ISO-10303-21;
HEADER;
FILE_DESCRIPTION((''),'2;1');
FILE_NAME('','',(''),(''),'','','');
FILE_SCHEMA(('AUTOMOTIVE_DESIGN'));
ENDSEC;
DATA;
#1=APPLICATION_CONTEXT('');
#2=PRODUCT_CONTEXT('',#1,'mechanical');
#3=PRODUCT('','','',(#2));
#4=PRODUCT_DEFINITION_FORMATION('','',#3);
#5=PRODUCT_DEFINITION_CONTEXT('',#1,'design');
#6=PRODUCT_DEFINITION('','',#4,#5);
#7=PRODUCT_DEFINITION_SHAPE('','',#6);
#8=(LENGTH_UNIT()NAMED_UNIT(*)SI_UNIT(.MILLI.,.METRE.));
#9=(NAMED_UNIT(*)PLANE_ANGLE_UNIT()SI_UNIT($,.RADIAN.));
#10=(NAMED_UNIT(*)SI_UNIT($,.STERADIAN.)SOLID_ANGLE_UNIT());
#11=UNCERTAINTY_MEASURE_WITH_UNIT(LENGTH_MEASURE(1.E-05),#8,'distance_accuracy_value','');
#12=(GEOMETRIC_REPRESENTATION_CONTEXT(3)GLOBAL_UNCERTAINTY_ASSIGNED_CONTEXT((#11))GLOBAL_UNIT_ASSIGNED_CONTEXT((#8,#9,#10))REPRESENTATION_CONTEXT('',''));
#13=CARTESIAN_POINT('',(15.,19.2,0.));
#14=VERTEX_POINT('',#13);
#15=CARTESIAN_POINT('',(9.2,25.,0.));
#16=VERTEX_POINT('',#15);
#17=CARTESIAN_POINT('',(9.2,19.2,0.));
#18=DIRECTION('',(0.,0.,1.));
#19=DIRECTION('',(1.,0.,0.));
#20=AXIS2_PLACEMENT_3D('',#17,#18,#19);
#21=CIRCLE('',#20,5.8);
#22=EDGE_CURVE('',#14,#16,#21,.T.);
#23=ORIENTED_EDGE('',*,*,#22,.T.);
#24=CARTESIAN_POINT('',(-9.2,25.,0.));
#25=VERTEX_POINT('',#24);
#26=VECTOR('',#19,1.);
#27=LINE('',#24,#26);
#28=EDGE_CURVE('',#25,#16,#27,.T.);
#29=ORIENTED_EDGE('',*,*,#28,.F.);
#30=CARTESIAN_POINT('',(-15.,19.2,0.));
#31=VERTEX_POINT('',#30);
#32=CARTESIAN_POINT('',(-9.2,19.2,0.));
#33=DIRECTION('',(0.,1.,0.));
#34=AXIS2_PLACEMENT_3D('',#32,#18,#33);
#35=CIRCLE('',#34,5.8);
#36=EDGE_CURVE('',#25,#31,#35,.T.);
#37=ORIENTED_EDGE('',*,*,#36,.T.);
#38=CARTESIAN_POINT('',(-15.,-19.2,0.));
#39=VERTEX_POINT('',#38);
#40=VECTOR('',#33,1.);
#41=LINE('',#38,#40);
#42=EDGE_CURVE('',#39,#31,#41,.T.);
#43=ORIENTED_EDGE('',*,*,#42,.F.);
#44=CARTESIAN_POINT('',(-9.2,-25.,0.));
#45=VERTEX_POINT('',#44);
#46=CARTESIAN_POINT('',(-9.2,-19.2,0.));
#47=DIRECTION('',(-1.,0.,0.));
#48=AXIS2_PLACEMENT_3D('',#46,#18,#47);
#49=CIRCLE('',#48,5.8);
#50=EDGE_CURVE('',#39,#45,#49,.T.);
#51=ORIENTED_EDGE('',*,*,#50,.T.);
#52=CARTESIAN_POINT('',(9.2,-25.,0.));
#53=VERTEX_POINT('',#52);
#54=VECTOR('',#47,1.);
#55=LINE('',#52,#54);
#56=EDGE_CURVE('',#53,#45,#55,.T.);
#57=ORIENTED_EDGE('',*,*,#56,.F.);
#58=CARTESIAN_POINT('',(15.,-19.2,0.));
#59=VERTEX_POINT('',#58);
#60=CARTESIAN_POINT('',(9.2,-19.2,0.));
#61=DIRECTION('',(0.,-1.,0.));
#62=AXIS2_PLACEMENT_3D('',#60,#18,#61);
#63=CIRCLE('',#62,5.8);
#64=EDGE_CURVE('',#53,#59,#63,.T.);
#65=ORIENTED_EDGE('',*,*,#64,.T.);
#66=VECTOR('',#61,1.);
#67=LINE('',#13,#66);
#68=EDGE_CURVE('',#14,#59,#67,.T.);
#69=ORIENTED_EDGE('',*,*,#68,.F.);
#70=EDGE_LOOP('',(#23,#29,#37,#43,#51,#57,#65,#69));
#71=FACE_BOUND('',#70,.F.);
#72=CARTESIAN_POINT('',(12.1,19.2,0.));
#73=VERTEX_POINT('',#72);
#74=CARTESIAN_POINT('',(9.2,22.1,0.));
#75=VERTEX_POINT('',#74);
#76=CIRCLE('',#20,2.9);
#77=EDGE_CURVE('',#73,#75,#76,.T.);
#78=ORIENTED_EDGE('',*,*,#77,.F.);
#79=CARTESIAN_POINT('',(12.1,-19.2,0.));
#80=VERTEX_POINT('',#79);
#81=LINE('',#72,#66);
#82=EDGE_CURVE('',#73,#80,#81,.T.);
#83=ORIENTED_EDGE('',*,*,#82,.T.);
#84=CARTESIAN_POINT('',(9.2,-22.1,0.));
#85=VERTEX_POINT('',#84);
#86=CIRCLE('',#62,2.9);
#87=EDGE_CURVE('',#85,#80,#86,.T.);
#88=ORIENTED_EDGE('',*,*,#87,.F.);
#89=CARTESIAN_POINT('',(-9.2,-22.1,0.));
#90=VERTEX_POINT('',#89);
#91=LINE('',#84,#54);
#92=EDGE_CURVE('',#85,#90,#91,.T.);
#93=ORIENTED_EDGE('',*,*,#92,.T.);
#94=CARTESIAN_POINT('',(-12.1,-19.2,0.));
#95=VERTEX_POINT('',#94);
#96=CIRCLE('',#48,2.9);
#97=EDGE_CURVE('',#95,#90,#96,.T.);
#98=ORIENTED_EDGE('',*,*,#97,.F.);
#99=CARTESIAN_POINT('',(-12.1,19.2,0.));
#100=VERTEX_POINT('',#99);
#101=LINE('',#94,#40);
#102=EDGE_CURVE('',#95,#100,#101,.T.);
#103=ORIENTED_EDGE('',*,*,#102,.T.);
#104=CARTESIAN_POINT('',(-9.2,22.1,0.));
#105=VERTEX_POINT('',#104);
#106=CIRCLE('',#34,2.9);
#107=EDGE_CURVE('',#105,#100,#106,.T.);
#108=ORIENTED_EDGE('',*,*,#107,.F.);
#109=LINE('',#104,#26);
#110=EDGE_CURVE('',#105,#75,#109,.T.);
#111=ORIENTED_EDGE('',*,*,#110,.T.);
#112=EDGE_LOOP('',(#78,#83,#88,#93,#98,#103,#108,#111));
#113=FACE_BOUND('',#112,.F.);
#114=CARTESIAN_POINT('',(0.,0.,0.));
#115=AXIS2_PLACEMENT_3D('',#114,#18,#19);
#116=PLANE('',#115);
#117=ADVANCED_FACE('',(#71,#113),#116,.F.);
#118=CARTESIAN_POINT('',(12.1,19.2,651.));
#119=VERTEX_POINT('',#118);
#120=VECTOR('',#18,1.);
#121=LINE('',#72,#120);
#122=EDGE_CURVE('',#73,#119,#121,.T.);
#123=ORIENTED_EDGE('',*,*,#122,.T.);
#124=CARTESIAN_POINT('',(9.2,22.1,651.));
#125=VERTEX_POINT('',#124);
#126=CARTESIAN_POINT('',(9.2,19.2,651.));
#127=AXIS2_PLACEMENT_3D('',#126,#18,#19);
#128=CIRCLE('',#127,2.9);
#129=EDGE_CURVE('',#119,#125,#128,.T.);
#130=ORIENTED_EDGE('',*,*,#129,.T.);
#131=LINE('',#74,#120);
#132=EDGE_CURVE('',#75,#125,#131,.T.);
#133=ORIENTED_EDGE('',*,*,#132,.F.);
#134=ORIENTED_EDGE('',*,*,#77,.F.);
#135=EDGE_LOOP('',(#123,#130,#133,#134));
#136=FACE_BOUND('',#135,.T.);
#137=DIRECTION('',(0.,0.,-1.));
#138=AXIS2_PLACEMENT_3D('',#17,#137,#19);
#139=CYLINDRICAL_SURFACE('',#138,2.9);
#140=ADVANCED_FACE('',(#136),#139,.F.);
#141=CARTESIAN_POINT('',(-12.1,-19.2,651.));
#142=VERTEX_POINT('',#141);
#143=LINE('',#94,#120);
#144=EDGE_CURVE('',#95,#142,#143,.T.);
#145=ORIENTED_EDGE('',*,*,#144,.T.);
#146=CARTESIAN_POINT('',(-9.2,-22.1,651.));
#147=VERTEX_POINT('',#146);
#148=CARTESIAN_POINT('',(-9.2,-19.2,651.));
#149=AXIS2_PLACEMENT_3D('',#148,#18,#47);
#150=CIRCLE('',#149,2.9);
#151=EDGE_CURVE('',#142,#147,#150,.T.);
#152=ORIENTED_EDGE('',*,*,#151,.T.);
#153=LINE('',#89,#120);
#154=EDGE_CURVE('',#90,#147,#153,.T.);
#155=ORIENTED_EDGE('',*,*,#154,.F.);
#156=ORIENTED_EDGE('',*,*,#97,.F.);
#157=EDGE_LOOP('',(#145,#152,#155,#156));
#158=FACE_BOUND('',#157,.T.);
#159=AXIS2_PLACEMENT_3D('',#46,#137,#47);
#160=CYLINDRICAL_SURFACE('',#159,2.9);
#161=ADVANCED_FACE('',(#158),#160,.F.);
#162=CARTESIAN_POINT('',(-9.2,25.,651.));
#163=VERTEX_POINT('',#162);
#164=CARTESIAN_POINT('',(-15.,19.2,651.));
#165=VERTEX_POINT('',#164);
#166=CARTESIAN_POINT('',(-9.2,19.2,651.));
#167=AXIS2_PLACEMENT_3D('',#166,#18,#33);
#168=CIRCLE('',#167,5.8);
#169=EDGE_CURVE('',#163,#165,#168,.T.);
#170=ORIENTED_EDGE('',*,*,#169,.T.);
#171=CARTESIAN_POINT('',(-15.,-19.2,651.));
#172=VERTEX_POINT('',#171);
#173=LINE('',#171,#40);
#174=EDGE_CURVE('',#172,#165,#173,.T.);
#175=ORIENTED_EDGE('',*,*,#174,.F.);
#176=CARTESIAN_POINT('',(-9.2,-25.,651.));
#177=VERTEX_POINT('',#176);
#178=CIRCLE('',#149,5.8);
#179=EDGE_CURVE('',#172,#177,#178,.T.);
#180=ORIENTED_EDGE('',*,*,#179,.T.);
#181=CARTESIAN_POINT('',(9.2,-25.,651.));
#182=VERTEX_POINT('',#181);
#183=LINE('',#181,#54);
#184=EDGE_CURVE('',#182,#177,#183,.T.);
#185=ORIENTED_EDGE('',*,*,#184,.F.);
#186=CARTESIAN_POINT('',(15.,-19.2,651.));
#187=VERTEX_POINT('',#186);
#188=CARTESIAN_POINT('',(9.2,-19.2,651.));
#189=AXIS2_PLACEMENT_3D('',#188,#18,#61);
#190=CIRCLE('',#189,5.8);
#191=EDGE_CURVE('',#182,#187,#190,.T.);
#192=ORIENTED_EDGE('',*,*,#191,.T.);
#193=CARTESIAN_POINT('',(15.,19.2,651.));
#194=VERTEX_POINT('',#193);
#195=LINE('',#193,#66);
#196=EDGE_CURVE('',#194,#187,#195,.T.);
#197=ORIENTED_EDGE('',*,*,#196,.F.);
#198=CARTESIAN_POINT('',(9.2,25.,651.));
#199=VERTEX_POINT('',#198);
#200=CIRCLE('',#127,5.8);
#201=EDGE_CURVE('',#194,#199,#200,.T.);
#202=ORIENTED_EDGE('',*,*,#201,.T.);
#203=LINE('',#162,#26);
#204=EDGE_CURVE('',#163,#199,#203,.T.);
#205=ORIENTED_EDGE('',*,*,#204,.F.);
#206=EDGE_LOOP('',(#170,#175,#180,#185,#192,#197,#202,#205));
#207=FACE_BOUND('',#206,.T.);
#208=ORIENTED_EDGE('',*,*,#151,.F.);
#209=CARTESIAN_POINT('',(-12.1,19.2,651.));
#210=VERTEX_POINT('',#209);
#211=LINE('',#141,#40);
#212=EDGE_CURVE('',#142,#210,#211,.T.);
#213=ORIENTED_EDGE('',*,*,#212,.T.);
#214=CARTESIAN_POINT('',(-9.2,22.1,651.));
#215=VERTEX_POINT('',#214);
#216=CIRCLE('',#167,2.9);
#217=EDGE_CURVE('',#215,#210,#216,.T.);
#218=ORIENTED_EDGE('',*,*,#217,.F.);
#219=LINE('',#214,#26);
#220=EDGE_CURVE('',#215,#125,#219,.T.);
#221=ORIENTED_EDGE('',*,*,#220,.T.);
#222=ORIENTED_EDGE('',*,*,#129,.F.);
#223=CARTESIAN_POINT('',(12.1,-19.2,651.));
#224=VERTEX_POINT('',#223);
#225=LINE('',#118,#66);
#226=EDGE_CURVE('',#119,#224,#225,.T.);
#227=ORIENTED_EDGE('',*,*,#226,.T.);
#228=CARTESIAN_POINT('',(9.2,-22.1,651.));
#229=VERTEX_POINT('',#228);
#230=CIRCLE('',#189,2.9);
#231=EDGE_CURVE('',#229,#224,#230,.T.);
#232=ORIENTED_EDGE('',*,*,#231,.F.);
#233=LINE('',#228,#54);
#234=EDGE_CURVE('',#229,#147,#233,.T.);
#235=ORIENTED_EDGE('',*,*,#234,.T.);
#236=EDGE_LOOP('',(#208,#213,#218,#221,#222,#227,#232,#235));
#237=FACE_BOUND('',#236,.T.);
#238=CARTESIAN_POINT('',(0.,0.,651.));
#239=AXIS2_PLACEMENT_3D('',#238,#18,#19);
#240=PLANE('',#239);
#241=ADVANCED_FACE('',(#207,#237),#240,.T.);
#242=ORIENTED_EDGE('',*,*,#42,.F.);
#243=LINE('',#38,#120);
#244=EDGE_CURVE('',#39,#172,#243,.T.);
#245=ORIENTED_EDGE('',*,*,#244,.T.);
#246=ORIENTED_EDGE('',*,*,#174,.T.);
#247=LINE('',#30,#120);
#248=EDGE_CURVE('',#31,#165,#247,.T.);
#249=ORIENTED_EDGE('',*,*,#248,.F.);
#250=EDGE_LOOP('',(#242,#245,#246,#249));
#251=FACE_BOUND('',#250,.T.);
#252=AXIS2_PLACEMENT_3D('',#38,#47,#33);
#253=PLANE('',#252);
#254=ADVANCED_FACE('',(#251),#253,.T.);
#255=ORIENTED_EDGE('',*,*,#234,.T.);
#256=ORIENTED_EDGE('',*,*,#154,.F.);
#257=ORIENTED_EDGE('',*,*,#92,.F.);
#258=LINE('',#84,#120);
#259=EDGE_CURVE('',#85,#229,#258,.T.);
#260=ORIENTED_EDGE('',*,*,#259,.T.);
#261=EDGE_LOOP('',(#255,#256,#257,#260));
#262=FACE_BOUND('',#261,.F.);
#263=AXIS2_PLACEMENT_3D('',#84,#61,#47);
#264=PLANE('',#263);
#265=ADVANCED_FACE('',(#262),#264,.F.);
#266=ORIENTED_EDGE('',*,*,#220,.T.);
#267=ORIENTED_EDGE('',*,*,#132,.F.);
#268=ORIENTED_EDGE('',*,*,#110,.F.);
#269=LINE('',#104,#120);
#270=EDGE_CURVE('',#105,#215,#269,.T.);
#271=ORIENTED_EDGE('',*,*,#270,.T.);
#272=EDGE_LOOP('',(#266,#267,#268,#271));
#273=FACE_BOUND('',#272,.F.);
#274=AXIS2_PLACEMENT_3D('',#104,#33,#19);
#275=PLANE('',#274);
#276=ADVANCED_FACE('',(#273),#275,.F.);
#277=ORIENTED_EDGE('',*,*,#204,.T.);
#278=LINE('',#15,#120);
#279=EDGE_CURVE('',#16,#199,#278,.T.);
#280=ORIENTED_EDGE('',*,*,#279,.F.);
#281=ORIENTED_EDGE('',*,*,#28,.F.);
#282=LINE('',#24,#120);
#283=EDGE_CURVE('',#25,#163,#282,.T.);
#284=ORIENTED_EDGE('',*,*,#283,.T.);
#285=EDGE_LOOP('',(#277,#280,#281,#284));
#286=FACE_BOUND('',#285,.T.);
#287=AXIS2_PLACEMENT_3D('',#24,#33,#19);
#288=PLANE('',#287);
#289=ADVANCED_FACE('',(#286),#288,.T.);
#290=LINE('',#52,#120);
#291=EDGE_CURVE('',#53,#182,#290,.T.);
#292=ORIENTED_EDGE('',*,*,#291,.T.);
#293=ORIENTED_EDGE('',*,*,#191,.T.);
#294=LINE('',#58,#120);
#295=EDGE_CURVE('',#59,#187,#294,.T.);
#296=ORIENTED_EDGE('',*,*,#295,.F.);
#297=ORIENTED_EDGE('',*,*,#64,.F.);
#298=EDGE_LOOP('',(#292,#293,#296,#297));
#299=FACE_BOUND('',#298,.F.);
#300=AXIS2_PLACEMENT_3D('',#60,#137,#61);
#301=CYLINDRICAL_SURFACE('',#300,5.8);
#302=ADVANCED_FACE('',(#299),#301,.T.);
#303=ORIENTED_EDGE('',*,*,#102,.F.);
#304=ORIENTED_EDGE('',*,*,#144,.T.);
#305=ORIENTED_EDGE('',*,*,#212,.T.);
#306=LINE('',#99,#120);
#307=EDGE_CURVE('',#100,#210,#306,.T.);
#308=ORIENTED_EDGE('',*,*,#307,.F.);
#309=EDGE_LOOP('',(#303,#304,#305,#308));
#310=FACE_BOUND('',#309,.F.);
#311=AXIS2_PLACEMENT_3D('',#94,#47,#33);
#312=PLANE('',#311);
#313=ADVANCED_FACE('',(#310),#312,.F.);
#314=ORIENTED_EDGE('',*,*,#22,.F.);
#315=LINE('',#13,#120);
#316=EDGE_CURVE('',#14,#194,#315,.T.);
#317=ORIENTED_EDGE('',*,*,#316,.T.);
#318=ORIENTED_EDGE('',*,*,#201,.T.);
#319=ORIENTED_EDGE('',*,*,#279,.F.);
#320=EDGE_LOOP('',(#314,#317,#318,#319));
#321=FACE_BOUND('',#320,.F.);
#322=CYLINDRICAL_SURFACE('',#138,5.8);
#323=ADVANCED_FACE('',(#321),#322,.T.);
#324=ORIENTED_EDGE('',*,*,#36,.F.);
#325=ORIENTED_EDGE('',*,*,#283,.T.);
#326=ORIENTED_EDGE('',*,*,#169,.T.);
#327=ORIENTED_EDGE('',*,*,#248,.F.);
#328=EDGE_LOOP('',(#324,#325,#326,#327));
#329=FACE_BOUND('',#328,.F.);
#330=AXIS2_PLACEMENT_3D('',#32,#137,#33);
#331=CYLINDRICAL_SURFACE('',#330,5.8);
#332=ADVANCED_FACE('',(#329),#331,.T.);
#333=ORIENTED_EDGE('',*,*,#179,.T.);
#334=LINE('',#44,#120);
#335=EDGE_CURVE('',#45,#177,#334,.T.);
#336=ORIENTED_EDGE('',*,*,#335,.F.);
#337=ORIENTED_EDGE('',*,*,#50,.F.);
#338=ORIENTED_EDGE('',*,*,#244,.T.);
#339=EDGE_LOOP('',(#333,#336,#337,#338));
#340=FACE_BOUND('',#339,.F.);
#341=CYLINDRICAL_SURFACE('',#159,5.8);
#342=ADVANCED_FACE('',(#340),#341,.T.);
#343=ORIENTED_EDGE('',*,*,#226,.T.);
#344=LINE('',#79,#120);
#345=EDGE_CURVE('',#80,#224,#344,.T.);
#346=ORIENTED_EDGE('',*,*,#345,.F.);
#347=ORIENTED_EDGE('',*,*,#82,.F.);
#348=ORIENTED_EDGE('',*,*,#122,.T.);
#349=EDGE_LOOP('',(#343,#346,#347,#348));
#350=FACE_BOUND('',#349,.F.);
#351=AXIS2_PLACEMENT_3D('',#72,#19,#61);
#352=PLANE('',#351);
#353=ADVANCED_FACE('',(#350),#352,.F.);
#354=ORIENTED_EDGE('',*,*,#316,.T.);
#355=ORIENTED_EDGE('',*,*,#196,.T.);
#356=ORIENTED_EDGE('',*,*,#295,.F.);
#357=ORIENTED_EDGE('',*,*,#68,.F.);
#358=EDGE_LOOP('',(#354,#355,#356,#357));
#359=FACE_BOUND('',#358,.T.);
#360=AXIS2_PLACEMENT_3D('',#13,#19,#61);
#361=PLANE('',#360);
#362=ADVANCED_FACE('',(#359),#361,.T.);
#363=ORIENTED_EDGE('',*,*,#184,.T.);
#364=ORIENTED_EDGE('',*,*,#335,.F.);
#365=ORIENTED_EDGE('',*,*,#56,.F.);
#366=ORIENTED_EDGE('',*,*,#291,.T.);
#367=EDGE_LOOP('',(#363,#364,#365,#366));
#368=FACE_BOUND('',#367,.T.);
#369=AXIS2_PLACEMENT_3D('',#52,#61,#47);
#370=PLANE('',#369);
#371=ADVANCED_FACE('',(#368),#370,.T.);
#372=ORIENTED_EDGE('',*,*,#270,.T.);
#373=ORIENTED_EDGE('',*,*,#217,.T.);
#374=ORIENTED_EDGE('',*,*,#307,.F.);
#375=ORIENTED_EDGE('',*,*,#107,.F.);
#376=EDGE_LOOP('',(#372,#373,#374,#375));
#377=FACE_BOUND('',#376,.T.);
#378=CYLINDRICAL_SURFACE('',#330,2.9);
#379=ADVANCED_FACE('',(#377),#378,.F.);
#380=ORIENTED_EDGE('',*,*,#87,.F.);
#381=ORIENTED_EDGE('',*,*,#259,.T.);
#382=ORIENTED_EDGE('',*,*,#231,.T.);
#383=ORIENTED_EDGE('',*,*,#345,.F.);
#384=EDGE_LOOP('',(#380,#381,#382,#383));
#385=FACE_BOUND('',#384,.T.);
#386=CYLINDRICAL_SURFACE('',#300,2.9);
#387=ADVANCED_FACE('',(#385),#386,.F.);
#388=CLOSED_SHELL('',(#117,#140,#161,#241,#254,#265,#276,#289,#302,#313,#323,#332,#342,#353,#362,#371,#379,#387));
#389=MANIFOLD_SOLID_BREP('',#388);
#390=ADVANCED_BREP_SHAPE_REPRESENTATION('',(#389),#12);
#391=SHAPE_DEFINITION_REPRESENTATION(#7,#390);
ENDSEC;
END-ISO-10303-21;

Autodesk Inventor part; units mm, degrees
ref_plane "YZ Plane" through (0, 0, 0) normal (1, 0, 0) x (0, 1, 0)
ref_plane "Start plane" through (0, 0, 0) normal (0, 0, 1) x (1, 0, 0)
ref_plane "End plane" through (0, 0, 651) normal (0, 0, 1) x (1, 0, 0)
sketch "Sketch" plane through (0, 0, 0) normal (0, 0, 1) x (1, 0, 0)
  line L0 (-9.2, 25) -> (9.2, 25)
  line L1 (15, 19.2) -> (15, -19.2)
  line L2 (9.2, -25) -> (-9.2, -25)
  line L3 (-15, -19.2) -> (-15, 19.2)
  arc A0 (-9.2, 25) -> (-15, 19.2) centre (-9.2, 19.2) ccw
  arc A1 (15, 19.2) -> (9.2, 25) centre (9.2, 19.2) ccw
  arc A2 (9.2, -25) -> (15, -19.2) centre (9.2, -19.2) ccw
  arc A3 (-15, -19.2) -> (-9.2, -25) centre (-9.2, -19.2) ccw
  line L4 (-22.6817, 0) -> (22.6817, 0) construction
  line L5 (0, -36.6817) -> (0, 36.6817) construction
  arc A4 (-9.2, 22.1) -> (-12.1, 19.2) centre (-9.2, 19.2) ccw
  line L6 (-9.2, 22.1) -> (9.2, 22.1)
  arc A5 (12.1, 19.2) -> (9.2, 22.1) centre (9.2, 19.2) ccw
  line L7 (12.1, 19.2) -> (12.1, -19.2)
  arc A6 (9.2, -22.1) -> (12.1, -19.2) centre (9.2, -19.2) ccw
  line L8 (9.2, -22.1) -> (-9.2, -22.1)
  arc A7 (-12.1, -19.2) -> (-9.2, -22.1) centre (-9.2, -19.2) ccw
  line L9 (-12.1, -19.2) -> (-12.1, 19.2)
  point P0 (-15, 25)
  point P1 (15, -25)
  point P2 (15, 25)
  dimension "b" = 30
  dimension "ParH" = 50
  dimension "msp_r" = 5.8
  dimension "d8" = 15
  dimension "d9" = 25
  dimension "d10" = 2.9
extrude "Body" add sketch "Sketch" along normal up to surface (651 mm away) from surface at 0
sketch "Sketch2" plane through (0, 0, 0) normal (0, 0, 1) x (1, 0, 0)
  line L0 (0, 0) -> (10, 0)
ref_plane "Work Plane3" through (0, 0, 0) normal (0, -1, 0) x (1, 0, 0)
sketch "Sketch3" plane through (0, 0, 0) normal (0, -1, 0) x (1, 0, 0)
  line L0 (-2, 0) -> (12, 0)
  line L1 (-2, 651) -> (12, 651)
  dimension "d14" = 651
equation "\"msp_r\" = 2 * ParT"
equation "\"d8\" = 0.5 * b"
equation "\"d9\" = 0.5 * ParH"
equation "\"d10\" = ParT"
equation "\"G_OFFSET_START\" = 0"
equation "\"G_OFFSET_END\" = 0"
equation "\"d12\" = G_OFFSET_END + B_L"
equation "\"G_L\" = d14"
equation "\"B_L\" = 651"
equation "\"ParT\" = 2.9"
properties part number "DIN 59 410 - 50x30x2.9-651" material "Steel, Mild"
